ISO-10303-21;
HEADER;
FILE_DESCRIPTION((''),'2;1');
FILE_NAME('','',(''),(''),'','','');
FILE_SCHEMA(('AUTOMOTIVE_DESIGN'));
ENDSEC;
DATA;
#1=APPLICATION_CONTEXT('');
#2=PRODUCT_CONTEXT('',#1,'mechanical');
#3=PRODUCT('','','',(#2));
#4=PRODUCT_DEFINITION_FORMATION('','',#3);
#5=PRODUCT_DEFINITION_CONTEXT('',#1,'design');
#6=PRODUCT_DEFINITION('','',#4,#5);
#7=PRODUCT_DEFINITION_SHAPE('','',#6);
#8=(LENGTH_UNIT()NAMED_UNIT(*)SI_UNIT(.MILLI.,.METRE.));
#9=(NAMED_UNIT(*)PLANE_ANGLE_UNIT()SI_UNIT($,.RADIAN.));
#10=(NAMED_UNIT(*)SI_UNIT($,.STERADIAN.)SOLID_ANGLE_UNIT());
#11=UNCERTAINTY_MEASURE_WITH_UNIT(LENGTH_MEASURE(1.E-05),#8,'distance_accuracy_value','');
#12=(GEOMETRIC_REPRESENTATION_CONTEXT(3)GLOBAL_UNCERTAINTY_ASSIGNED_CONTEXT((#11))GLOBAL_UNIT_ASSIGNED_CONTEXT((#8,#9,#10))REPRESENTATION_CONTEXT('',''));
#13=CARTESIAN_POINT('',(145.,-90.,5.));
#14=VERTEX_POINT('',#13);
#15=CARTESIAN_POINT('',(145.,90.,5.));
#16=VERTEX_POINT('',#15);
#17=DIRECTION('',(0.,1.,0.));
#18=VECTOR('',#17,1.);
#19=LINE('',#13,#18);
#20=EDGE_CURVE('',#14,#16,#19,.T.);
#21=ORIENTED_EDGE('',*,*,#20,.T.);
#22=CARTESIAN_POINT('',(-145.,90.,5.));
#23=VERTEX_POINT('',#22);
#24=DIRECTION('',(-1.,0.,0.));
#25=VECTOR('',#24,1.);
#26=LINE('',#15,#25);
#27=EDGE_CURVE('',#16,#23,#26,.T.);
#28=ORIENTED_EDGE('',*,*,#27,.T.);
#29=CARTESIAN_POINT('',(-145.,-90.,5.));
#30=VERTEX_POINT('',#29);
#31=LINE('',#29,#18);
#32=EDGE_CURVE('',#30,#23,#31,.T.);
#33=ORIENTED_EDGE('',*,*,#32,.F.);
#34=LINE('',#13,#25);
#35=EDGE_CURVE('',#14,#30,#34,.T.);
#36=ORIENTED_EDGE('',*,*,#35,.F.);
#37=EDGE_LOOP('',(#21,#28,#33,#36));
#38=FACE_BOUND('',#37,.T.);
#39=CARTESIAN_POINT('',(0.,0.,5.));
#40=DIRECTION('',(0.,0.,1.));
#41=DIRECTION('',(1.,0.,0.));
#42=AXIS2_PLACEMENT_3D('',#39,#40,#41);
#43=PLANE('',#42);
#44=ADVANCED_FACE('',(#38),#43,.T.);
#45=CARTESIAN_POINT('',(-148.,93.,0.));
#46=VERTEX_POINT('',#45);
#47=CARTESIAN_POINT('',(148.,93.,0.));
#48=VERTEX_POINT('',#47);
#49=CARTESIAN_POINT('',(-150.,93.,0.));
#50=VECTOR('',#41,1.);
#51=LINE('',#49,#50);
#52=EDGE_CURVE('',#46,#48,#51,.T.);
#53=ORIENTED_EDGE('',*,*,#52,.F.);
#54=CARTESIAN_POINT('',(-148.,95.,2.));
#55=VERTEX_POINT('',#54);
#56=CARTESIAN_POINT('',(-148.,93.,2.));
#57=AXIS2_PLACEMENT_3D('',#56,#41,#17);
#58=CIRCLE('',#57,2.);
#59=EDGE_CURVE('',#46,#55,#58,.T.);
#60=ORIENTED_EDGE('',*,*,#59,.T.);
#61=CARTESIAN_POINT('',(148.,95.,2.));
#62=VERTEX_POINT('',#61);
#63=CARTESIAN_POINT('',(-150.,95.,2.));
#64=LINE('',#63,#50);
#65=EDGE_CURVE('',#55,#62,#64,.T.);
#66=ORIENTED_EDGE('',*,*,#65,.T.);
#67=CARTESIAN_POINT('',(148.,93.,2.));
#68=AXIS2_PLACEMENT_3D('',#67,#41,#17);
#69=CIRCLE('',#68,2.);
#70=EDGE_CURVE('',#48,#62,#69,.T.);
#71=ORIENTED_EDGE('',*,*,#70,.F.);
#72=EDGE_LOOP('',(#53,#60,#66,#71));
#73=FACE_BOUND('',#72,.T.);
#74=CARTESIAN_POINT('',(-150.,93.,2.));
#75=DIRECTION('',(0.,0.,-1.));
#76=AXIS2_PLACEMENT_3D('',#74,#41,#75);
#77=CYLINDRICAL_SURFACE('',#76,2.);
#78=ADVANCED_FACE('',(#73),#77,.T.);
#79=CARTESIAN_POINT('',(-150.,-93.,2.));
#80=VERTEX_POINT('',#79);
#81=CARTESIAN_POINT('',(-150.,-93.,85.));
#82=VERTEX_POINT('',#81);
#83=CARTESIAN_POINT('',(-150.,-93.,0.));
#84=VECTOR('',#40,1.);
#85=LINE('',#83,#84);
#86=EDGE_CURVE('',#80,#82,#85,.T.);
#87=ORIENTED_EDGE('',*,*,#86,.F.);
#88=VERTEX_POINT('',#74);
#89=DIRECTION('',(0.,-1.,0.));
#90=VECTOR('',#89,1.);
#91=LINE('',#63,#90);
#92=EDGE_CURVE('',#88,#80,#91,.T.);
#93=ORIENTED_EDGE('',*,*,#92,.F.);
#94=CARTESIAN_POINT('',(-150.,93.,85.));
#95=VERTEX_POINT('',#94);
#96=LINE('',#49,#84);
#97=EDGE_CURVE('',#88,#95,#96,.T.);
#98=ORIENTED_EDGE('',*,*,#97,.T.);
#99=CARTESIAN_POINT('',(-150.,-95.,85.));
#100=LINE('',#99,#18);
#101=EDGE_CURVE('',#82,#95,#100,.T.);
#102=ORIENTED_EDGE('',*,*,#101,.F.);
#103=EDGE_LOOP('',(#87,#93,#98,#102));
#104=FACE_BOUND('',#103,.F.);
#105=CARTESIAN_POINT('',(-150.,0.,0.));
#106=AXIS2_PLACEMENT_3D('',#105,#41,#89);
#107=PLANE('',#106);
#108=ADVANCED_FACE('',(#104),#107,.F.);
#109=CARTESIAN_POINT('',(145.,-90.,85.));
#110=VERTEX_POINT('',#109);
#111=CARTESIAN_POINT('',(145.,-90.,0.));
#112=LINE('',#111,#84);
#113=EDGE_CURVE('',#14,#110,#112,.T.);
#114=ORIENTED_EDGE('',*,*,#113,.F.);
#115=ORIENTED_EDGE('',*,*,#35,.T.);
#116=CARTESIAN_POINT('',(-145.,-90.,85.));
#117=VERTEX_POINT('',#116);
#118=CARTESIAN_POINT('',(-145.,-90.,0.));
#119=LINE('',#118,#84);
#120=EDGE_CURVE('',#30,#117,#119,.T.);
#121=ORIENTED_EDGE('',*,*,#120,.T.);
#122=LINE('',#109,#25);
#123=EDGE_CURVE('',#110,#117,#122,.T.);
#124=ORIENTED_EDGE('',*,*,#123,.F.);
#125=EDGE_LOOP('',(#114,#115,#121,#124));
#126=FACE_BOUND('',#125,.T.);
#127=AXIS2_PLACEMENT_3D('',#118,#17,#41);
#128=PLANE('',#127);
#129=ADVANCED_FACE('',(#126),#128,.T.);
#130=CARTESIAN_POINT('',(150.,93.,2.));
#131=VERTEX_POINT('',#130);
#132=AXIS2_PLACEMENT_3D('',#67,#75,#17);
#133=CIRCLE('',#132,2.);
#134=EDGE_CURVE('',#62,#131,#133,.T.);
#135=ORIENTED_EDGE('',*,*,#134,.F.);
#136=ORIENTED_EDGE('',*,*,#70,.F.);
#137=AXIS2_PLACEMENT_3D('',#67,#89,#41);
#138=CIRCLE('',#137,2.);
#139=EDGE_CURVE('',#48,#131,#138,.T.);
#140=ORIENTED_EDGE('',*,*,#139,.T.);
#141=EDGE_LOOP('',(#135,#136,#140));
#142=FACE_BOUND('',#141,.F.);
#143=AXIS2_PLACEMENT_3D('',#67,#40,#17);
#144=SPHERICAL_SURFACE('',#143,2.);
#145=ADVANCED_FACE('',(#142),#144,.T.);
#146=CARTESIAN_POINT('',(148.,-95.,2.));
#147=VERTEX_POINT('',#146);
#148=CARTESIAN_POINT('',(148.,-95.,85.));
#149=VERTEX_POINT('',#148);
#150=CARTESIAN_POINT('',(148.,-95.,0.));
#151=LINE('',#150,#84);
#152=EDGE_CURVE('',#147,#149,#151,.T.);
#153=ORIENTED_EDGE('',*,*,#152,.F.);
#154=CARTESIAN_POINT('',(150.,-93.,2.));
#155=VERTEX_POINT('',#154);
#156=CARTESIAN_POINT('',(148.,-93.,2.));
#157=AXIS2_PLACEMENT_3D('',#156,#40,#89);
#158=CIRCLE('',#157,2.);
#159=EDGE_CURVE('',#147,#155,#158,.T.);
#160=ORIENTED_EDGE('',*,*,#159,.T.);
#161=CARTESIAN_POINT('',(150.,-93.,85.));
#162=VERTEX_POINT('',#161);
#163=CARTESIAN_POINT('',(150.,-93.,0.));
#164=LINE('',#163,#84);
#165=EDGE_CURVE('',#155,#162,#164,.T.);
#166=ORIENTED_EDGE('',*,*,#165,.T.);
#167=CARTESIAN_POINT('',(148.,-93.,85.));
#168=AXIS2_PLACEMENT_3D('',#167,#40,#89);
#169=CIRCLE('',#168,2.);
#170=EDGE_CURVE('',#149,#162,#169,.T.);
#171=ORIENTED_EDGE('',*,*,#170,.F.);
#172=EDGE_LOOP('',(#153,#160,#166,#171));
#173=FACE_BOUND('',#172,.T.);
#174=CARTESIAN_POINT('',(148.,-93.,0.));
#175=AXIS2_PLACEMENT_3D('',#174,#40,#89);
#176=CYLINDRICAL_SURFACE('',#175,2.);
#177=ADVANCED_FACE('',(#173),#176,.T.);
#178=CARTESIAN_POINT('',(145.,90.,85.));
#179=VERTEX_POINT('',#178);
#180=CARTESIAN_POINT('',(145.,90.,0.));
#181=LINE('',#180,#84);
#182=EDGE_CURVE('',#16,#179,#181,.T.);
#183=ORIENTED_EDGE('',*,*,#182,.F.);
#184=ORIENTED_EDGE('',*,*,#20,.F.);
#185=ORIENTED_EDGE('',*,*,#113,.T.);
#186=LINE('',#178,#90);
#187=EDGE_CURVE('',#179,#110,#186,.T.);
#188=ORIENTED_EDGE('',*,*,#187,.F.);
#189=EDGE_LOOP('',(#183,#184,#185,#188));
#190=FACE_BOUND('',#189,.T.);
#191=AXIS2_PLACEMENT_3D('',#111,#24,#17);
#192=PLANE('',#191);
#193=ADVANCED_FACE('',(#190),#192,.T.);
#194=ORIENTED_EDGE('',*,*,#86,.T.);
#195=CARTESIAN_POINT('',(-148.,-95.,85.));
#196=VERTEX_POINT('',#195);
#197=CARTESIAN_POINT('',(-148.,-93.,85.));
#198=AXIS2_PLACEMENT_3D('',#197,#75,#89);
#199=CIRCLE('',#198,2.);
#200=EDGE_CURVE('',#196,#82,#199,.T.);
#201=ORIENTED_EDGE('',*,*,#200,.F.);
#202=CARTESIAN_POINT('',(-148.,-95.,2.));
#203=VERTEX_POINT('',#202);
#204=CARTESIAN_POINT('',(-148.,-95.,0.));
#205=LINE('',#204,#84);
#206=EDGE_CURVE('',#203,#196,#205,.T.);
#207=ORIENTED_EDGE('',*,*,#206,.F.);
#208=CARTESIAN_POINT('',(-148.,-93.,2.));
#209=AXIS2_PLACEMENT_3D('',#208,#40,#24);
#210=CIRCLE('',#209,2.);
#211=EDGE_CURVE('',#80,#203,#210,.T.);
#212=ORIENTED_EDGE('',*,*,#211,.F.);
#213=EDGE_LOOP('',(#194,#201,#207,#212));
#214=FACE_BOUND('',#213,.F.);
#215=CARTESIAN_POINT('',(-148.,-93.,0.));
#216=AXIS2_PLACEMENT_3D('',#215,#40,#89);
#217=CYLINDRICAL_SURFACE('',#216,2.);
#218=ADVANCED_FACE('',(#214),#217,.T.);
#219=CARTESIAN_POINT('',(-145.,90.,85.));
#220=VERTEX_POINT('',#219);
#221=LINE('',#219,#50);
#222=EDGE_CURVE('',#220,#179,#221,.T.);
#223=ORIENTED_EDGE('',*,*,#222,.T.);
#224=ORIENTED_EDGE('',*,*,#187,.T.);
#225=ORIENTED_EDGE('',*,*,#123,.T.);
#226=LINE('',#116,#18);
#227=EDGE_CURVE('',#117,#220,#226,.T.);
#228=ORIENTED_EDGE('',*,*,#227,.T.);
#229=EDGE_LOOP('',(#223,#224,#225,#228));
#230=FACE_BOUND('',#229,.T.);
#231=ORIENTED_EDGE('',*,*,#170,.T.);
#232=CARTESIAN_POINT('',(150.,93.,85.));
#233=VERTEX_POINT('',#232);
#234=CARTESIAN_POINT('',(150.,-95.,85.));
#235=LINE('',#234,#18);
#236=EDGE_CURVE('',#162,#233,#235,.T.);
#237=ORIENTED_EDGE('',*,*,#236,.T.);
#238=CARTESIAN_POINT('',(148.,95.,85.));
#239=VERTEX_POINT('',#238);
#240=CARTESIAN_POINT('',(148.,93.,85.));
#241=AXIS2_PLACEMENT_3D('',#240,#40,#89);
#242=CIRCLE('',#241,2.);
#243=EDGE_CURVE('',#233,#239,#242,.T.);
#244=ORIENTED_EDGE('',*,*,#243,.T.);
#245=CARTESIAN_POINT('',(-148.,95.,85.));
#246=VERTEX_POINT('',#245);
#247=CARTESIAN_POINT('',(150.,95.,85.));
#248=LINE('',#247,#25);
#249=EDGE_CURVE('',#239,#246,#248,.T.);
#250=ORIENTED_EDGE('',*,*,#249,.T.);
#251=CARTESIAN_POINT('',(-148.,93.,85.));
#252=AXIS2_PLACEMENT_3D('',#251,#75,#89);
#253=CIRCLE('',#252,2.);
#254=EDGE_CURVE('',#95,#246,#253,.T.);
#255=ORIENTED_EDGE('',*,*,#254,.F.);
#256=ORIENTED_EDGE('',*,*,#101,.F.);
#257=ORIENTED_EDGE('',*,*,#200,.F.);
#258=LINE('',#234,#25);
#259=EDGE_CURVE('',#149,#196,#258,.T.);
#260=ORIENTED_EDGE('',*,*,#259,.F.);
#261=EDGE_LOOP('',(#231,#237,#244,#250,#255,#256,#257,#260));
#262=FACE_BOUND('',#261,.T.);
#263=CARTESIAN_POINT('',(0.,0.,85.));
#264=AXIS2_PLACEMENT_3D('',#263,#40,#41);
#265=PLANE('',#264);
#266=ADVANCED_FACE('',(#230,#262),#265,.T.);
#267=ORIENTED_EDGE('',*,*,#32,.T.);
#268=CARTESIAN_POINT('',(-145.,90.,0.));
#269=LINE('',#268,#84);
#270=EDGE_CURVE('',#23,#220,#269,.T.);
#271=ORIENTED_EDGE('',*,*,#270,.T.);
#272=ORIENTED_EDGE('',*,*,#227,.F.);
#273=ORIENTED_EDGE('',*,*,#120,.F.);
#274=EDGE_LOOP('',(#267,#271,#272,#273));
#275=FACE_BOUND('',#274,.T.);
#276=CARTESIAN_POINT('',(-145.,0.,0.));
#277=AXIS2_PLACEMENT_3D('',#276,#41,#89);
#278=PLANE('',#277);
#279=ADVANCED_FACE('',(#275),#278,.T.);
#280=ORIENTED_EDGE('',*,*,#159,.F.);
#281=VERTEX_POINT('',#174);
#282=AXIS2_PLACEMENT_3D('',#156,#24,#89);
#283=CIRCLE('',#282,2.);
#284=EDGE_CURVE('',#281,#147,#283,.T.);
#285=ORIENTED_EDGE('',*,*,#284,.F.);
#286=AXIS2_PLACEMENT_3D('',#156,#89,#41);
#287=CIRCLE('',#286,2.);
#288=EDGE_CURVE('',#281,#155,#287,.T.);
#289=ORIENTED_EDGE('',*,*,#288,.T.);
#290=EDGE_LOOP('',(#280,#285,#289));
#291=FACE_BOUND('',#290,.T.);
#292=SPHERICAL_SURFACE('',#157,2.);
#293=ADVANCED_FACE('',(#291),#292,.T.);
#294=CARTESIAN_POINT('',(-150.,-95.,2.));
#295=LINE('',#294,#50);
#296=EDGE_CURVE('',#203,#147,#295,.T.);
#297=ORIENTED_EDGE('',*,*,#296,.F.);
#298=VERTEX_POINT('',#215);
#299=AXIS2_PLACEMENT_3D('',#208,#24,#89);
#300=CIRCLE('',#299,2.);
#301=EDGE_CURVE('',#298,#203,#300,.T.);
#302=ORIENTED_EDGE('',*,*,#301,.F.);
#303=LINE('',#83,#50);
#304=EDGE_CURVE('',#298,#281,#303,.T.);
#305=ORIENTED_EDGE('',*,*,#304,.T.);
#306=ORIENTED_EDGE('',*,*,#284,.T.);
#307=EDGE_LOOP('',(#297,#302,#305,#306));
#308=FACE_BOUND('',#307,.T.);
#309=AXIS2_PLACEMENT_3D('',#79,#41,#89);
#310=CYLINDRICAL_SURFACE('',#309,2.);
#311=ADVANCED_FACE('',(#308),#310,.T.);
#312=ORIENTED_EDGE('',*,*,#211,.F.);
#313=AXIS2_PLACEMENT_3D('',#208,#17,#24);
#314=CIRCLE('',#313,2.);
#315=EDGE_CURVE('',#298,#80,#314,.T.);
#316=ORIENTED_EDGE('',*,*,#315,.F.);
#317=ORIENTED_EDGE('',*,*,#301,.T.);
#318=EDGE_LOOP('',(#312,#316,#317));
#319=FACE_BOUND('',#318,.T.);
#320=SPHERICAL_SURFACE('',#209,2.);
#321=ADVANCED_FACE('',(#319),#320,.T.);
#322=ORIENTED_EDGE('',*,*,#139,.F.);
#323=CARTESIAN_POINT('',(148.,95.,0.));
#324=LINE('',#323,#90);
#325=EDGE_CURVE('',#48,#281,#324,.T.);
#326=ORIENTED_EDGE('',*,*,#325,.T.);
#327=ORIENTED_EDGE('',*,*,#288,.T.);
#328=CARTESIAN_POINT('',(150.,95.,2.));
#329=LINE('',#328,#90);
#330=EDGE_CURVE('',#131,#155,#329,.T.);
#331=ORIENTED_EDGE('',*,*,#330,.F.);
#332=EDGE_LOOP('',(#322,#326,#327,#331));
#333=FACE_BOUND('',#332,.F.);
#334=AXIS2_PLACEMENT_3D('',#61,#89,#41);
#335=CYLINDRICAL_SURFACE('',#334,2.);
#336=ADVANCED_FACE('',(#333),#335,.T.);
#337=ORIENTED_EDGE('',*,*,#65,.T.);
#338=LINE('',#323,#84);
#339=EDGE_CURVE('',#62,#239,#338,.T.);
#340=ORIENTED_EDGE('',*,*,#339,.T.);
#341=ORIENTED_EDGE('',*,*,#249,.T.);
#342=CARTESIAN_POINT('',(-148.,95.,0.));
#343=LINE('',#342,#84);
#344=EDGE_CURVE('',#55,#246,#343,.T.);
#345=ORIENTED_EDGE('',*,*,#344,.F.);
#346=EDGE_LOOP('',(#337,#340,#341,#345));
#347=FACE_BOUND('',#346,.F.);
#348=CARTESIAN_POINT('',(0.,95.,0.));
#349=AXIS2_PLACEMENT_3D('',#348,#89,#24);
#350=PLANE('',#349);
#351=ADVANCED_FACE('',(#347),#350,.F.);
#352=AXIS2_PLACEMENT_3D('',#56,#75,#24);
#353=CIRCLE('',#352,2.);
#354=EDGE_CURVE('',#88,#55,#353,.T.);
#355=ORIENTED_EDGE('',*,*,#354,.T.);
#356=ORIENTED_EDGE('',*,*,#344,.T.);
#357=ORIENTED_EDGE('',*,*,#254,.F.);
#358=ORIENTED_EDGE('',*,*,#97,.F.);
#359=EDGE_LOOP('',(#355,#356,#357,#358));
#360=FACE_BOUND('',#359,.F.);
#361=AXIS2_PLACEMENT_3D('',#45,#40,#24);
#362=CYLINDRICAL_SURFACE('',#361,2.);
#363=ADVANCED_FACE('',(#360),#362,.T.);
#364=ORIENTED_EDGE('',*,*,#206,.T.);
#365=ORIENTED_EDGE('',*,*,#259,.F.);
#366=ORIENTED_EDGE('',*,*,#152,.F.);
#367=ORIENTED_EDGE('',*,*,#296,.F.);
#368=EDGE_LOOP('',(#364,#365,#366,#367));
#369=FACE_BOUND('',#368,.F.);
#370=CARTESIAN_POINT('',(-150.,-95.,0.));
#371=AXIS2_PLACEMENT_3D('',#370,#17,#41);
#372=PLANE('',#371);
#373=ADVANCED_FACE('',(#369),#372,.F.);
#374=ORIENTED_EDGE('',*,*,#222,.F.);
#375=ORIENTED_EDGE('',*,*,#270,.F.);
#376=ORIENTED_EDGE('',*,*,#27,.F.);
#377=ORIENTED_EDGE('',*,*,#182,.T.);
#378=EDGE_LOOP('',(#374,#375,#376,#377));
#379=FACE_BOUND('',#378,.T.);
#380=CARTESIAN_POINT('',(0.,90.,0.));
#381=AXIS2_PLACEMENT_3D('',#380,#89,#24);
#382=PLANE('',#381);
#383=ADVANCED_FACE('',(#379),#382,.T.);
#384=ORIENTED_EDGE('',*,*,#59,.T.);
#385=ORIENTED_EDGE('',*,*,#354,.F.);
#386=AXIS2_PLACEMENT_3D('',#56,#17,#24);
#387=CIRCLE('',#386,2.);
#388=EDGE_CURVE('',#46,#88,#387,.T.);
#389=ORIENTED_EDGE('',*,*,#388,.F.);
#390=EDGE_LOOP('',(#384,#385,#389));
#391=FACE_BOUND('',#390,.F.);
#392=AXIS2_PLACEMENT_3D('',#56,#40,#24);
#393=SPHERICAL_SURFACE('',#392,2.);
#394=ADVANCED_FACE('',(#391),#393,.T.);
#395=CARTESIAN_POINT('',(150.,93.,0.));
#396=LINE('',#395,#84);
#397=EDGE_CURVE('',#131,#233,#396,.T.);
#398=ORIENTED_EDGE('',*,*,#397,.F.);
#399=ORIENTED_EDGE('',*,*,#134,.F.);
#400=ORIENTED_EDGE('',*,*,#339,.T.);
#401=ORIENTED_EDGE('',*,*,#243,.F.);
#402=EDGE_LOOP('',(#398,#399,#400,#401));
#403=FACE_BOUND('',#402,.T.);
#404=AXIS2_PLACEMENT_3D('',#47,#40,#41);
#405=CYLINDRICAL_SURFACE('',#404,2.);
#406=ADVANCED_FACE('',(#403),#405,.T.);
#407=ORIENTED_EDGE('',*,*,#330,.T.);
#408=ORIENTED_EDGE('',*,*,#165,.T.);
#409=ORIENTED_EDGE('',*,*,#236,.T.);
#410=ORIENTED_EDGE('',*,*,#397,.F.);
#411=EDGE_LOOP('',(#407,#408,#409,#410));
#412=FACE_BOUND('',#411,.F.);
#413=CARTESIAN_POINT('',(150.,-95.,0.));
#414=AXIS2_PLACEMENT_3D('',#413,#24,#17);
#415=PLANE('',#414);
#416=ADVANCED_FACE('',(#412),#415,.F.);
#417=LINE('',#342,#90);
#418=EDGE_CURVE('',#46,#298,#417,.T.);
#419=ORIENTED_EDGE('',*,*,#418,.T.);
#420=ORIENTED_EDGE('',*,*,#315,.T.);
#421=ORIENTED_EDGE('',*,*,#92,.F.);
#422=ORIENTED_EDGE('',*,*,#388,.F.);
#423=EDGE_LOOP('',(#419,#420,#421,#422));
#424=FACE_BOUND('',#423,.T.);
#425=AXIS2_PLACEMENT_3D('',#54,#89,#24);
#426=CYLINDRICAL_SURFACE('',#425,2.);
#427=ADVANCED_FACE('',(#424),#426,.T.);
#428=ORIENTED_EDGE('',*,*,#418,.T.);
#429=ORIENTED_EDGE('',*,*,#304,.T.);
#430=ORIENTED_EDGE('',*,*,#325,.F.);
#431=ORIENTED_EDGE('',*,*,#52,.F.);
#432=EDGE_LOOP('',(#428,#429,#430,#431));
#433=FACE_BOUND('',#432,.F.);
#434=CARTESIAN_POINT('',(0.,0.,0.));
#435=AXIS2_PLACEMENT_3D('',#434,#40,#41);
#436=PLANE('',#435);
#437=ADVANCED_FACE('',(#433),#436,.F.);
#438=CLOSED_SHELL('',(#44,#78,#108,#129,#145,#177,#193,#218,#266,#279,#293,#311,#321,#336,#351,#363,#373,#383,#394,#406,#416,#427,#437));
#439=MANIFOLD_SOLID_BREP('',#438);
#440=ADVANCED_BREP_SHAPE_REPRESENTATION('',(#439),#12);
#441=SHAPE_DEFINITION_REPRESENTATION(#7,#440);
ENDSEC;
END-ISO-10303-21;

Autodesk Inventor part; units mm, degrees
ref_plane "YZ Plane" through (0, 0, 0) normal (1, 0, 0) x (0, 1, 0)
ref_plane "XZ Plane" through (0, 0, 0) normal (0, 1, 0) x (-1, 0, 0)
ref_plane "XY Plane" through (0, 0, 0) normal (0, 0, 1) x (1, 0, 0)
sketch "Sketch3" plane through (0, 0, 0) normal (0, 0, 1) x (1, 0, 0)
  line L0 (0, -133) -> (0, 133) projected
  line L1 (-210, 0) -> (210, 0) projected
  line L2 (-150, -95) -> (150, -95)
  line L3 (150, -95) -> (150, 95)
  line L4 (150, 95) -> (-150, 95)
  line L5 (-150, 95) -> (-150, -95)
  line L6 (-150, -95) -> (150, 95) construction
  line L7 (150, -95) -> (-150, 95) construction
  line L8 (-145, -90) -> (145, -90)
  line L9 (145, -90) -> (145, 90)
  line L10 (145, 90) -> (-145, 90)
  line L11 (-145, 90) -> (-145, -90)
  line L12 (-145, -90) -> (145, 90) construction
  line L13 (145, -90) -> (-145, 90) construction
  point P0 (0, 0)
  dimension "d0" = 300
  dimension "d1" = 190
  dimension "d2" = 290
  dimension "d3" = 180
extrude "Extrusion1" add sketch "Sketch3" along normal blind 85 contours L2 L5 L1 L11 L8 L0 | L0 L8 L9 L1 L3 L2 | L5 L4 L0 L10 L11 L1 | L1 L9 L10 L0 L4 L3
extrude "Extrusion2" add sketch "Sketch3" along normal blind 5 contours L8 L11 L1 L0 | L0 L1 L9 L8 | L1 L11 L10 L0 | L0 L10 L9 L1
fillet "Fillet1" radius 2 8 edges at (150, -95, 42.5) (150, 95, 42.5) (-150, 95, 42.5) (-150, -95, 42.5) (-150, 0, 0) (0, 95, 0) (0, -95, 0) (150, 0, 0)
equation "\"BendRadius\" = Thickness"
equation "\"BendReliefWidth\" = Thickness"
equation "\"BendReliefDepth\" = 0.5 * Thickness"
equation "\"CornerReliefSize\" = 4 * Thickness"
equation "\"MinimumRemnant\" = 2 * Thickness"
equation "\"TransitionRadius\" = BendRadius"
equation "\"JacobiRadiusSize\" = BendRadius"
equation "\"GapSize\" = Thickness"
equation "\"Thickness\" = 0.5"
properties part number "Batterybox"
